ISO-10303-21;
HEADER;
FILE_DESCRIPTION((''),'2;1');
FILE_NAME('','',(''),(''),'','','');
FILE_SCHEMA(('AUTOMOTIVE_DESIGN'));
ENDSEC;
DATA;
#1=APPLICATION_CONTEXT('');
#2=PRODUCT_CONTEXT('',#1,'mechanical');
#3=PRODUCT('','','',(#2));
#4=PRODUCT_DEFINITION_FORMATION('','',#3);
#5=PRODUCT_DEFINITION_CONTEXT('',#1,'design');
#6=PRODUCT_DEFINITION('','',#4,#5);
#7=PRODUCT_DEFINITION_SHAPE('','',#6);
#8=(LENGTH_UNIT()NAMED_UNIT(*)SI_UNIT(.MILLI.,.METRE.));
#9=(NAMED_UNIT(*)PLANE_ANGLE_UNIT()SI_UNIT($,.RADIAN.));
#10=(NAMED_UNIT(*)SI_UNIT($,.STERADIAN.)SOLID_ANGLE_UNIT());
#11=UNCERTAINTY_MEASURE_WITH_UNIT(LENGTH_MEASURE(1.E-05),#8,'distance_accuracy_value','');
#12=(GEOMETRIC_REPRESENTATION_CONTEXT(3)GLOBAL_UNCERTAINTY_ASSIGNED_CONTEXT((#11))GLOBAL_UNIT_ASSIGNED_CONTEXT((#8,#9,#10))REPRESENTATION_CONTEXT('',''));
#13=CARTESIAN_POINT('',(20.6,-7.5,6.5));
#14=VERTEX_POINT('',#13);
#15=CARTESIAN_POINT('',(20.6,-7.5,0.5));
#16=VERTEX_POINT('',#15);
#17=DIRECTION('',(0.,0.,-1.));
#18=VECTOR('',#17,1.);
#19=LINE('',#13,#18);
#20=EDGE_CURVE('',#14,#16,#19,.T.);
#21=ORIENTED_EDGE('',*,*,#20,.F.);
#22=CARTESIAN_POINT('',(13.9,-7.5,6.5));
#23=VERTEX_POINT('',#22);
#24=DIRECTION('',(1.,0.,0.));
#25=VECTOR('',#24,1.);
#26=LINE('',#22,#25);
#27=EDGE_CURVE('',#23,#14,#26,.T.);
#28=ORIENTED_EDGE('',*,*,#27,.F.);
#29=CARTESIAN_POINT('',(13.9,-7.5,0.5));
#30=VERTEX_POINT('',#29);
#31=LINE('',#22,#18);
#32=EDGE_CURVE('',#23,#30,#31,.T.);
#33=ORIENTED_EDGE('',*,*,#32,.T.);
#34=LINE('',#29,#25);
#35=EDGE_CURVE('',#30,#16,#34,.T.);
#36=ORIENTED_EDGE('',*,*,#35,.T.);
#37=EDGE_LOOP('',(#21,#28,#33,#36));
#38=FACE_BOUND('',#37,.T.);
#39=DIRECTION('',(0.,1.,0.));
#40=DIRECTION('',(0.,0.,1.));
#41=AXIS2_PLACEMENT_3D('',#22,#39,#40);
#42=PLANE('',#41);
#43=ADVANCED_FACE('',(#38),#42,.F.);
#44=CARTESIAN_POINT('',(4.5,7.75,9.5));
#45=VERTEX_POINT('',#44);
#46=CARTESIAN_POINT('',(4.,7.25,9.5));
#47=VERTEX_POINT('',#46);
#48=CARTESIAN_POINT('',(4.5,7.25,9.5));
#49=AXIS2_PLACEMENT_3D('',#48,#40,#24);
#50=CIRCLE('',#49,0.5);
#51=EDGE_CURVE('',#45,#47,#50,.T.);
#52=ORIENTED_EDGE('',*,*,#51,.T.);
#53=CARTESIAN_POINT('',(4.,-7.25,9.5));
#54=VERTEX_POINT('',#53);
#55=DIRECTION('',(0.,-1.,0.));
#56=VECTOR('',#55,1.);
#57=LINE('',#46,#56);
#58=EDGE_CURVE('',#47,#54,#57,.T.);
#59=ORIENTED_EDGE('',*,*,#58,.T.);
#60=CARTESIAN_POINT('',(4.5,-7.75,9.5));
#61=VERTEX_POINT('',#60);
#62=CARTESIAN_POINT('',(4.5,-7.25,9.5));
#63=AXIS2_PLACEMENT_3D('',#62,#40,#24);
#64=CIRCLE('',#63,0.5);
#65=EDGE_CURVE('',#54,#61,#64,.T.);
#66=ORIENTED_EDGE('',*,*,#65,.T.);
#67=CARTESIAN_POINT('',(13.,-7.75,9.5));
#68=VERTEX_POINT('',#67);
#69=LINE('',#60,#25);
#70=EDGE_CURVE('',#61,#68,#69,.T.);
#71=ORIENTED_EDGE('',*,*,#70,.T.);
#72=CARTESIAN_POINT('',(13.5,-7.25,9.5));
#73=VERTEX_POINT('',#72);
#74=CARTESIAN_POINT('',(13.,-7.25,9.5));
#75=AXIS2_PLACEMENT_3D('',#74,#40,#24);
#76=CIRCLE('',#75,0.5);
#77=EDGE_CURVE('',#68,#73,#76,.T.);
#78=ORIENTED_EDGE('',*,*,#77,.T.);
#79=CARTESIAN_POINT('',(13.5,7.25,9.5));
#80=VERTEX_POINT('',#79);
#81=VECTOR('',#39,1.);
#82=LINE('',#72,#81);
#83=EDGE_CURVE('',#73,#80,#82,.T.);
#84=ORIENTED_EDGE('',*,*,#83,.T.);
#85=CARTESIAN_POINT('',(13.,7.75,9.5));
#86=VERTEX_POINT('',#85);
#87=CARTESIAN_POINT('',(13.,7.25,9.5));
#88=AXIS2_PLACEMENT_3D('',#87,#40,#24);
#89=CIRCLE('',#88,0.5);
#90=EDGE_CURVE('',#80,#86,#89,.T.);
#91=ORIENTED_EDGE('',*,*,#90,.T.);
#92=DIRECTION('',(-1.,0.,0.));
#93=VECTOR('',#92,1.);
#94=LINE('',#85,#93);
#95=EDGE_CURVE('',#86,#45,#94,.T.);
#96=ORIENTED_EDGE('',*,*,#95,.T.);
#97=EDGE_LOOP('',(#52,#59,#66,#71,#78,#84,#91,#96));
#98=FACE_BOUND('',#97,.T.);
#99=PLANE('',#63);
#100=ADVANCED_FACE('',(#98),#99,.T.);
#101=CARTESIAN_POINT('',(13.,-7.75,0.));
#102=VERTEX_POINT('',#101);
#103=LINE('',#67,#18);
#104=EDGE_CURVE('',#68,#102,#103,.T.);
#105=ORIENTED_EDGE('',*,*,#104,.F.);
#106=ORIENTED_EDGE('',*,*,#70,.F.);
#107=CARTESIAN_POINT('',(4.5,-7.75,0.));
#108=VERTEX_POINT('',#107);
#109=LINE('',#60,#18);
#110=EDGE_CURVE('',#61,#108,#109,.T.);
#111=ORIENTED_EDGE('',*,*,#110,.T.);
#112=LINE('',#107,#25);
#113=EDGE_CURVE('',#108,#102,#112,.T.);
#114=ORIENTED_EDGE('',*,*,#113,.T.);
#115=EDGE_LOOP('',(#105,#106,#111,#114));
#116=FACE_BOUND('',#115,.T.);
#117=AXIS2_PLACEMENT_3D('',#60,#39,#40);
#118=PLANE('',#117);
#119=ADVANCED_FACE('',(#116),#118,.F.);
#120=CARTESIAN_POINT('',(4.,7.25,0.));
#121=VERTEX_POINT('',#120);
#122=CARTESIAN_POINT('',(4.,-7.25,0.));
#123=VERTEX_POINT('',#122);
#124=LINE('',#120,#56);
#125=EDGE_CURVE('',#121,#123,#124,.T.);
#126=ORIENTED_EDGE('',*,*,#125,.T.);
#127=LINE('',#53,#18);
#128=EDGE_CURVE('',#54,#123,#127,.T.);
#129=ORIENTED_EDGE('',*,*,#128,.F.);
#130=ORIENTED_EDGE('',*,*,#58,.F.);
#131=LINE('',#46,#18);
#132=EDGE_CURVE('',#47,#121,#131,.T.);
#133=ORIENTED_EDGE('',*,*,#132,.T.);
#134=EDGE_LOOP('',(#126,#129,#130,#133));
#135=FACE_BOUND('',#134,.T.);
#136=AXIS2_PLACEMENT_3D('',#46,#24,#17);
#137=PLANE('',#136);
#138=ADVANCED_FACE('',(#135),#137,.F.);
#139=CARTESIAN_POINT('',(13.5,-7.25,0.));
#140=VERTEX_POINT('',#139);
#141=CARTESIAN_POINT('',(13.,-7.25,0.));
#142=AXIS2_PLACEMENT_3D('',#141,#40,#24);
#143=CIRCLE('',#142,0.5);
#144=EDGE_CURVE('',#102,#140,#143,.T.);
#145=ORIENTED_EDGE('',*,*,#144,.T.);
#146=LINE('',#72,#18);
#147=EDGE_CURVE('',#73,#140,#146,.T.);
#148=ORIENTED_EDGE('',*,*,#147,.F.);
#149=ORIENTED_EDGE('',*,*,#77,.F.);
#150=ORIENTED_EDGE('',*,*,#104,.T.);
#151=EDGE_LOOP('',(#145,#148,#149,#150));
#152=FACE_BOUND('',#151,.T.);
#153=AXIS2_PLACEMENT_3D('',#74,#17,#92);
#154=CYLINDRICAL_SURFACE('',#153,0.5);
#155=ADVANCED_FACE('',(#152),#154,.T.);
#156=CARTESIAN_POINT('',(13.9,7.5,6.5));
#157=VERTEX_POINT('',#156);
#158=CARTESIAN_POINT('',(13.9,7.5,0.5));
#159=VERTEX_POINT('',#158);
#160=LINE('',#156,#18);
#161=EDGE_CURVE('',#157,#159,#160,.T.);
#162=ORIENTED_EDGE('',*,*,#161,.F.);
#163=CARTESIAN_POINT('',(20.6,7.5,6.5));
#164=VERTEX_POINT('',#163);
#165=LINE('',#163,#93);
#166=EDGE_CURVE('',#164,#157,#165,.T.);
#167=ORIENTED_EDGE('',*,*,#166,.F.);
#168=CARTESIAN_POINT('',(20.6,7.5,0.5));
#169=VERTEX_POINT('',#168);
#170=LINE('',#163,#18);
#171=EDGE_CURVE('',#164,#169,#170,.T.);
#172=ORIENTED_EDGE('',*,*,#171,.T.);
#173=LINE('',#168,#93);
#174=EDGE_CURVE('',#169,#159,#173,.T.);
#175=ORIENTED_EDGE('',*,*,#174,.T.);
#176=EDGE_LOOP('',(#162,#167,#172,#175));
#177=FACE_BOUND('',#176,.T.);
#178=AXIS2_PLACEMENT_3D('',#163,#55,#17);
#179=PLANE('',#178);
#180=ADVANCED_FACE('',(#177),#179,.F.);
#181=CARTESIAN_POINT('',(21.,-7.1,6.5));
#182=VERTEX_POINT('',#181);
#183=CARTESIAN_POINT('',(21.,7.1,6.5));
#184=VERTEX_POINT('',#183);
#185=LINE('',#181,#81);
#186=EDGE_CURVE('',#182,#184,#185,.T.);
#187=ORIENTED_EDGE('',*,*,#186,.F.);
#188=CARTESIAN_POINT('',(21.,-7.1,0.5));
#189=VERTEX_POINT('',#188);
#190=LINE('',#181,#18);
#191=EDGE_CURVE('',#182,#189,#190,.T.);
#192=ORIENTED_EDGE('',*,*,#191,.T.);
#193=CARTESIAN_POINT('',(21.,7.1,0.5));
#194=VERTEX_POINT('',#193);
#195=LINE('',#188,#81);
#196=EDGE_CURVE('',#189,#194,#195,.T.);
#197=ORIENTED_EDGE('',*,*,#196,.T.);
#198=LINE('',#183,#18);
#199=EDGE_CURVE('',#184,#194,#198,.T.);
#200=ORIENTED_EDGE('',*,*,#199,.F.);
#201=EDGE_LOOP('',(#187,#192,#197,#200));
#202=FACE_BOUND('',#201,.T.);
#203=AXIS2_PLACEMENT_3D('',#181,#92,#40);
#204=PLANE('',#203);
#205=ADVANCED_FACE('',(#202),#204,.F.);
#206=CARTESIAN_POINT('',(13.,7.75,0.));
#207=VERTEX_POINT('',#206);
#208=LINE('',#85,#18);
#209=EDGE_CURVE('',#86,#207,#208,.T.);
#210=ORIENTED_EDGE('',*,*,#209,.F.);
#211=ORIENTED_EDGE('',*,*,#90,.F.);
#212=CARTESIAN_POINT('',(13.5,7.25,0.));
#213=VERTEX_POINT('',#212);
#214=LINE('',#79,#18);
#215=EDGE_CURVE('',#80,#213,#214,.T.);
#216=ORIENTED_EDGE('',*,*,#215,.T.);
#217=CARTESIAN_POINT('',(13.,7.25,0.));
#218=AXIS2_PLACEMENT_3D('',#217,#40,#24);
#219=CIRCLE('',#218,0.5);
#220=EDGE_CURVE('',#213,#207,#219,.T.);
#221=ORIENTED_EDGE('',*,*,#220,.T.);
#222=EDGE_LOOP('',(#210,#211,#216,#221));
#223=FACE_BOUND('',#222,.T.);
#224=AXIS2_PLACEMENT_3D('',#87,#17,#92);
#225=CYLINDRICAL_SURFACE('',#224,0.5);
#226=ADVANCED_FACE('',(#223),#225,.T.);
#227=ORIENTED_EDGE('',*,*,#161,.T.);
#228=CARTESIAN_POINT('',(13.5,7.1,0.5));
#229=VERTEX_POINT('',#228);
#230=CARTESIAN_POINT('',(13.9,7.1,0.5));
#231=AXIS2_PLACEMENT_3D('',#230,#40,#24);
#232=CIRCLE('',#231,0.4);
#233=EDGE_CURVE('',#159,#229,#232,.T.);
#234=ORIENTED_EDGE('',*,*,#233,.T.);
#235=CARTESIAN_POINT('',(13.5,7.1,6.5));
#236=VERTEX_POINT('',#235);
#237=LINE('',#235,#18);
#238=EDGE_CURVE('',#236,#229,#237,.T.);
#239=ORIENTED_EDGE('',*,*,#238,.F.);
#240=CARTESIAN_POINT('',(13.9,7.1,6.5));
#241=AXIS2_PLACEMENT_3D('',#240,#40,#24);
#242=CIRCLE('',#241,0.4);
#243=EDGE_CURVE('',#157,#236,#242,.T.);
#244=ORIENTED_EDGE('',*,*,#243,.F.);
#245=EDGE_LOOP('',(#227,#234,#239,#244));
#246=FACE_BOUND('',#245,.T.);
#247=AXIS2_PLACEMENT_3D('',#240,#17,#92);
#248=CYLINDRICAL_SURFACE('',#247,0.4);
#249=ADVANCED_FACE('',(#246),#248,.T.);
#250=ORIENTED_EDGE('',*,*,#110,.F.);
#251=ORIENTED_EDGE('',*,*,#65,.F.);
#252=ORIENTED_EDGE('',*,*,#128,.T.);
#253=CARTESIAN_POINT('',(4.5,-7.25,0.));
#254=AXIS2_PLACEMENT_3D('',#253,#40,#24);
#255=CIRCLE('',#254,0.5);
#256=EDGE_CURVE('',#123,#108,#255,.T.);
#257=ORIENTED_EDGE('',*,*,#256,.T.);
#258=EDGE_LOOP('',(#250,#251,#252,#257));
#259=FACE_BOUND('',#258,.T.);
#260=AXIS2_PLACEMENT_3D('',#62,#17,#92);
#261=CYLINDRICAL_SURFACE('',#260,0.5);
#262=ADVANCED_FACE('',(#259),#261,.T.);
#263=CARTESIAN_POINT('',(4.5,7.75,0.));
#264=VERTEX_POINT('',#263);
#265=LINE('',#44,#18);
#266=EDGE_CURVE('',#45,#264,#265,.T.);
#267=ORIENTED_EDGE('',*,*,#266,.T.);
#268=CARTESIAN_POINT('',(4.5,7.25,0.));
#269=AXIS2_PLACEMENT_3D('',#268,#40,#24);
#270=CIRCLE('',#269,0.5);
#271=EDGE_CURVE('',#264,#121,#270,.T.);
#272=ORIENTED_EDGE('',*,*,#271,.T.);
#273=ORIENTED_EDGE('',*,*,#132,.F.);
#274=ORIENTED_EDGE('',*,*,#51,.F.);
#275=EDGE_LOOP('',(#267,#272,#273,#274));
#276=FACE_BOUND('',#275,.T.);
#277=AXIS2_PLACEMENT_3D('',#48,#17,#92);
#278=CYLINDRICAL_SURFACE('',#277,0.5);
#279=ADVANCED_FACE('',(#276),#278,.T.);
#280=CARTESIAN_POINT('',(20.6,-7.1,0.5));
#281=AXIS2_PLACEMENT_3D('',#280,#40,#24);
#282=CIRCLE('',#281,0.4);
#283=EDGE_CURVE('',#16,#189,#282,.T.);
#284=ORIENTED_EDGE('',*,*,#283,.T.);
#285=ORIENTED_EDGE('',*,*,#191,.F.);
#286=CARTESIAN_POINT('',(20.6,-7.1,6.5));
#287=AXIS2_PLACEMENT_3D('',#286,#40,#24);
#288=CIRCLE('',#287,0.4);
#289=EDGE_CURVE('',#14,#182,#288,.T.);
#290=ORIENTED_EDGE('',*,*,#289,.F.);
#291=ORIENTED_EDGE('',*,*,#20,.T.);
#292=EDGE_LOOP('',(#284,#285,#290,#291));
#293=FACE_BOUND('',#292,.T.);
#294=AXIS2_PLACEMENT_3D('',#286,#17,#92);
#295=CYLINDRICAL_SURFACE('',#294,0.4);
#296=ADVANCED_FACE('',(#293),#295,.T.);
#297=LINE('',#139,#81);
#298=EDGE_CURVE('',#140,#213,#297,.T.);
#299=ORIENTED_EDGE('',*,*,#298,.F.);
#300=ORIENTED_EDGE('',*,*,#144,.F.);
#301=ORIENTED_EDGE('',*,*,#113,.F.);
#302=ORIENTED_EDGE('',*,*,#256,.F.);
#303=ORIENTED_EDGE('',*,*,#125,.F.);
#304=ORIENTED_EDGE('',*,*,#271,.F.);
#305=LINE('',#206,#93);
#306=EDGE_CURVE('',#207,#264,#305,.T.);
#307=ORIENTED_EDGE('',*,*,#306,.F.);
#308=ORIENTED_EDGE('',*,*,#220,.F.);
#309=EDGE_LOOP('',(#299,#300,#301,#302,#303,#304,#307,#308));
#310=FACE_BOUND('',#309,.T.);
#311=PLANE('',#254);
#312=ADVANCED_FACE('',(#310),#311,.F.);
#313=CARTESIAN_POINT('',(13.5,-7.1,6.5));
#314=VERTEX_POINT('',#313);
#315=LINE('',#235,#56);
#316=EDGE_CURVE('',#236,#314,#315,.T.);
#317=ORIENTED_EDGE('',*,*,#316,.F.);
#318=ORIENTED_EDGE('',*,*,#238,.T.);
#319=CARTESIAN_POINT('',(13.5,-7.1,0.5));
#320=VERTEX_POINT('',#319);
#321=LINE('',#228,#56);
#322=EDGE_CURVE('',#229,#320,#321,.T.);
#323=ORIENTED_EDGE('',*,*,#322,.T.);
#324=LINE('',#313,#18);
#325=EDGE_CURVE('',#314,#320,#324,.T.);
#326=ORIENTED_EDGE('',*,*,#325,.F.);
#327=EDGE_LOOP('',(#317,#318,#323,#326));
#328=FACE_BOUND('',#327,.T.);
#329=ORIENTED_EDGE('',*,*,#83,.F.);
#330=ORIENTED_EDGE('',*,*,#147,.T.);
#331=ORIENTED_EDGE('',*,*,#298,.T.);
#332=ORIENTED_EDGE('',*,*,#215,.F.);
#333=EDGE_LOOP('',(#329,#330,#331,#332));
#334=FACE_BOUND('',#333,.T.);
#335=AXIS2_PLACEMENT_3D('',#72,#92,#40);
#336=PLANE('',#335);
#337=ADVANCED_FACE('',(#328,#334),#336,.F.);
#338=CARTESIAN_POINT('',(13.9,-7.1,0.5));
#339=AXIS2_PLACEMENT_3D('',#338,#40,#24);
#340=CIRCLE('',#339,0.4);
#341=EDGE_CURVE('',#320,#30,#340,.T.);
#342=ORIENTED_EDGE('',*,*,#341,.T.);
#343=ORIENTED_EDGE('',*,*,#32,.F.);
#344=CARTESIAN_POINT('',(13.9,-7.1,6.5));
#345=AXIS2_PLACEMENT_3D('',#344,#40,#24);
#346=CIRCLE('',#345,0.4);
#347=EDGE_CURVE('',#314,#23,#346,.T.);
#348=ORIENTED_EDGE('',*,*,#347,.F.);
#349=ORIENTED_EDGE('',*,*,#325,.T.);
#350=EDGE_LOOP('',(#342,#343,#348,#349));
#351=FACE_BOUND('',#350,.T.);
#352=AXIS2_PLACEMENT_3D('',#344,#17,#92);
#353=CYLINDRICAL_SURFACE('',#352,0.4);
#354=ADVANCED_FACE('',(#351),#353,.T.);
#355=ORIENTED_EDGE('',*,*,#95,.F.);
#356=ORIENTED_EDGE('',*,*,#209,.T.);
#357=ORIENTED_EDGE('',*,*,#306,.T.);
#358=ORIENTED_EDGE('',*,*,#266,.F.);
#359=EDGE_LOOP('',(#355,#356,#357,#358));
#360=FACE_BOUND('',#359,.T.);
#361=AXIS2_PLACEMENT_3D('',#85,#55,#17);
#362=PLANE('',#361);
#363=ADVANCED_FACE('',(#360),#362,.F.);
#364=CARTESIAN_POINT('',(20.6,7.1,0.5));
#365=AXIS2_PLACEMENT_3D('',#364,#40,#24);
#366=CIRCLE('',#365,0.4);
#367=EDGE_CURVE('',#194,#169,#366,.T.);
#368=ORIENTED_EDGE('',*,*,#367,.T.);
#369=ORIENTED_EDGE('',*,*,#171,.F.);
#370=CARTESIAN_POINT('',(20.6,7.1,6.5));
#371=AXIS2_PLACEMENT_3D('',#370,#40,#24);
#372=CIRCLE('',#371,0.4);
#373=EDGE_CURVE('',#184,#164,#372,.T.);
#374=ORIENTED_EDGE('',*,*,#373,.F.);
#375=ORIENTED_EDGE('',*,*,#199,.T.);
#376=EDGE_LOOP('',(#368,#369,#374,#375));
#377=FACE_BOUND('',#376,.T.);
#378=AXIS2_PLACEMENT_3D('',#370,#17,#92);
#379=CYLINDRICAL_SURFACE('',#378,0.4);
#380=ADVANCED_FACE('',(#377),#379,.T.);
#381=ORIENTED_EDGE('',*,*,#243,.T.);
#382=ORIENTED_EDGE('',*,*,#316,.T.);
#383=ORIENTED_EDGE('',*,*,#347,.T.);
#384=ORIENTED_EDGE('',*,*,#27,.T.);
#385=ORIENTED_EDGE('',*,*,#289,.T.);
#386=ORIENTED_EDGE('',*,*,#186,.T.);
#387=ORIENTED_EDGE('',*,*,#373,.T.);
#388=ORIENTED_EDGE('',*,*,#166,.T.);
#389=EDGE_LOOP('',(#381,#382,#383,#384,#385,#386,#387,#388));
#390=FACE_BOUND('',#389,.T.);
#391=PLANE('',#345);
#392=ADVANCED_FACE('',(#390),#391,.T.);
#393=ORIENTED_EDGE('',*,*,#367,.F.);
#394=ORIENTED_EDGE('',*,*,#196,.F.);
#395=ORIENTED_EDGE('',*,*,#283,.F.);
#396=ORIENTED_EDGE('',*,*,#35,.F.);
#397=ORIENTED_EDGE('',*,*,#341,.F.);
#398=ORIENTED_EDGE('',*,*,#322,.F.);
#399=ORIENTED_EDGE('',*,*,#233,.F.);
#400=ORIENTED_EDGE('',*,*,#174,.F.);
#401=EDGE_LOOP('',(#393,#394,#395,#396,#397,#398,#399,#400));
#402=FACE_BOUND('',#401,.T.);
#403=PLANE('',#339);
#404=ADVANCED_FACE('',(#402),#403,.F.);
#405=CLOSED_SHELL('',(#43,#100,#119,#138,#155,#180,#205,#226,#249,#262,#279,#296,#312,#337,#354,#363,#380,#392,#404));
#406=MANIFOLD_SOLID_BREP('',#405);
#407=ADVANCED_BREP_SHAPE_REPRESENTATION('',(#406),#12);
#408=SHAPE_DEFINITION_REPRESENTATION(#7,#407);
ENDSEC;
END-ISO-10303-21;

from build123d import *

# Parameters (mm, degrees)
HEADER_BUDGET_9P5X15P5_H9P5_PLUSX_DEPTH = 9.5
MATED_PLUG_BUDGET_OUTWARD_PLUSX_DEPTH   = 6


with BuildPart() as part:
    # 草图1 → Header_budget_9p5x15p5_H9p5_plusX (new body)
    with BuildSketch(Plane.XY):
        with BuildLine():
            Line((4.5, -7.75), (13, -7.75))
            ThreePointArc((13, -7.75), (13.353553391, -7.603553391), (13.5, -7.25))
            Line((13.5, -7.25), (13.5, 7.25))
            ThreePointArc((13.5, 7.25), (13.353553391, 7.603553391), (13, 7.75))
            Line((13, 7.75), (4.5, 7.75))
            ThreePointArc((4.5, 7.75), (4.146446609, 7.603553391), (4, 7.25))
            Line((4, 7.25), (4, -7.25))
            ThreePointArc((4, -7.25), (4.146446609, -7.603553391), (4.5, -7.75))
        make_face()
    extrude(amount=HEADER_BUDGET_9P5X15P5_H9P5_PLUSX_DEPTH)

    # 草图2 → Mated_plug_budget_outward_plusX (add)
    with BuildSketch(Plane.XY.offset(0.5)):
        with BuildLine():
            Line((13.9, -7.5), (20.6, -7.5))
            ThreePointArc((20.6, -7.5), (20.882842712, -7.382842712), (21, -7.1))
            Line((21, -7.1), (21, 7.1))
            ThreePointArc((21, 7.1), (20.882842712, 7.382842712), (20.6, 7.5))
            Line((20.6, 7.5), (13.9, 7.5))
            ThreePointArc((13.9, 7.5), (13.617157288, 7.382842712), (13.5, 7.1))
            Line((13.5, 7.1), (13.5, -7.1))
            ThreePointArc((13.5, -7.1), (13.617157288, -7.382842712), (13.9, -7.5))
        make_face()
    extrude(amount=MATED_PLUG_BUDGET_OUTWARD_PLUSX_DEPTH)


solid = part.part
